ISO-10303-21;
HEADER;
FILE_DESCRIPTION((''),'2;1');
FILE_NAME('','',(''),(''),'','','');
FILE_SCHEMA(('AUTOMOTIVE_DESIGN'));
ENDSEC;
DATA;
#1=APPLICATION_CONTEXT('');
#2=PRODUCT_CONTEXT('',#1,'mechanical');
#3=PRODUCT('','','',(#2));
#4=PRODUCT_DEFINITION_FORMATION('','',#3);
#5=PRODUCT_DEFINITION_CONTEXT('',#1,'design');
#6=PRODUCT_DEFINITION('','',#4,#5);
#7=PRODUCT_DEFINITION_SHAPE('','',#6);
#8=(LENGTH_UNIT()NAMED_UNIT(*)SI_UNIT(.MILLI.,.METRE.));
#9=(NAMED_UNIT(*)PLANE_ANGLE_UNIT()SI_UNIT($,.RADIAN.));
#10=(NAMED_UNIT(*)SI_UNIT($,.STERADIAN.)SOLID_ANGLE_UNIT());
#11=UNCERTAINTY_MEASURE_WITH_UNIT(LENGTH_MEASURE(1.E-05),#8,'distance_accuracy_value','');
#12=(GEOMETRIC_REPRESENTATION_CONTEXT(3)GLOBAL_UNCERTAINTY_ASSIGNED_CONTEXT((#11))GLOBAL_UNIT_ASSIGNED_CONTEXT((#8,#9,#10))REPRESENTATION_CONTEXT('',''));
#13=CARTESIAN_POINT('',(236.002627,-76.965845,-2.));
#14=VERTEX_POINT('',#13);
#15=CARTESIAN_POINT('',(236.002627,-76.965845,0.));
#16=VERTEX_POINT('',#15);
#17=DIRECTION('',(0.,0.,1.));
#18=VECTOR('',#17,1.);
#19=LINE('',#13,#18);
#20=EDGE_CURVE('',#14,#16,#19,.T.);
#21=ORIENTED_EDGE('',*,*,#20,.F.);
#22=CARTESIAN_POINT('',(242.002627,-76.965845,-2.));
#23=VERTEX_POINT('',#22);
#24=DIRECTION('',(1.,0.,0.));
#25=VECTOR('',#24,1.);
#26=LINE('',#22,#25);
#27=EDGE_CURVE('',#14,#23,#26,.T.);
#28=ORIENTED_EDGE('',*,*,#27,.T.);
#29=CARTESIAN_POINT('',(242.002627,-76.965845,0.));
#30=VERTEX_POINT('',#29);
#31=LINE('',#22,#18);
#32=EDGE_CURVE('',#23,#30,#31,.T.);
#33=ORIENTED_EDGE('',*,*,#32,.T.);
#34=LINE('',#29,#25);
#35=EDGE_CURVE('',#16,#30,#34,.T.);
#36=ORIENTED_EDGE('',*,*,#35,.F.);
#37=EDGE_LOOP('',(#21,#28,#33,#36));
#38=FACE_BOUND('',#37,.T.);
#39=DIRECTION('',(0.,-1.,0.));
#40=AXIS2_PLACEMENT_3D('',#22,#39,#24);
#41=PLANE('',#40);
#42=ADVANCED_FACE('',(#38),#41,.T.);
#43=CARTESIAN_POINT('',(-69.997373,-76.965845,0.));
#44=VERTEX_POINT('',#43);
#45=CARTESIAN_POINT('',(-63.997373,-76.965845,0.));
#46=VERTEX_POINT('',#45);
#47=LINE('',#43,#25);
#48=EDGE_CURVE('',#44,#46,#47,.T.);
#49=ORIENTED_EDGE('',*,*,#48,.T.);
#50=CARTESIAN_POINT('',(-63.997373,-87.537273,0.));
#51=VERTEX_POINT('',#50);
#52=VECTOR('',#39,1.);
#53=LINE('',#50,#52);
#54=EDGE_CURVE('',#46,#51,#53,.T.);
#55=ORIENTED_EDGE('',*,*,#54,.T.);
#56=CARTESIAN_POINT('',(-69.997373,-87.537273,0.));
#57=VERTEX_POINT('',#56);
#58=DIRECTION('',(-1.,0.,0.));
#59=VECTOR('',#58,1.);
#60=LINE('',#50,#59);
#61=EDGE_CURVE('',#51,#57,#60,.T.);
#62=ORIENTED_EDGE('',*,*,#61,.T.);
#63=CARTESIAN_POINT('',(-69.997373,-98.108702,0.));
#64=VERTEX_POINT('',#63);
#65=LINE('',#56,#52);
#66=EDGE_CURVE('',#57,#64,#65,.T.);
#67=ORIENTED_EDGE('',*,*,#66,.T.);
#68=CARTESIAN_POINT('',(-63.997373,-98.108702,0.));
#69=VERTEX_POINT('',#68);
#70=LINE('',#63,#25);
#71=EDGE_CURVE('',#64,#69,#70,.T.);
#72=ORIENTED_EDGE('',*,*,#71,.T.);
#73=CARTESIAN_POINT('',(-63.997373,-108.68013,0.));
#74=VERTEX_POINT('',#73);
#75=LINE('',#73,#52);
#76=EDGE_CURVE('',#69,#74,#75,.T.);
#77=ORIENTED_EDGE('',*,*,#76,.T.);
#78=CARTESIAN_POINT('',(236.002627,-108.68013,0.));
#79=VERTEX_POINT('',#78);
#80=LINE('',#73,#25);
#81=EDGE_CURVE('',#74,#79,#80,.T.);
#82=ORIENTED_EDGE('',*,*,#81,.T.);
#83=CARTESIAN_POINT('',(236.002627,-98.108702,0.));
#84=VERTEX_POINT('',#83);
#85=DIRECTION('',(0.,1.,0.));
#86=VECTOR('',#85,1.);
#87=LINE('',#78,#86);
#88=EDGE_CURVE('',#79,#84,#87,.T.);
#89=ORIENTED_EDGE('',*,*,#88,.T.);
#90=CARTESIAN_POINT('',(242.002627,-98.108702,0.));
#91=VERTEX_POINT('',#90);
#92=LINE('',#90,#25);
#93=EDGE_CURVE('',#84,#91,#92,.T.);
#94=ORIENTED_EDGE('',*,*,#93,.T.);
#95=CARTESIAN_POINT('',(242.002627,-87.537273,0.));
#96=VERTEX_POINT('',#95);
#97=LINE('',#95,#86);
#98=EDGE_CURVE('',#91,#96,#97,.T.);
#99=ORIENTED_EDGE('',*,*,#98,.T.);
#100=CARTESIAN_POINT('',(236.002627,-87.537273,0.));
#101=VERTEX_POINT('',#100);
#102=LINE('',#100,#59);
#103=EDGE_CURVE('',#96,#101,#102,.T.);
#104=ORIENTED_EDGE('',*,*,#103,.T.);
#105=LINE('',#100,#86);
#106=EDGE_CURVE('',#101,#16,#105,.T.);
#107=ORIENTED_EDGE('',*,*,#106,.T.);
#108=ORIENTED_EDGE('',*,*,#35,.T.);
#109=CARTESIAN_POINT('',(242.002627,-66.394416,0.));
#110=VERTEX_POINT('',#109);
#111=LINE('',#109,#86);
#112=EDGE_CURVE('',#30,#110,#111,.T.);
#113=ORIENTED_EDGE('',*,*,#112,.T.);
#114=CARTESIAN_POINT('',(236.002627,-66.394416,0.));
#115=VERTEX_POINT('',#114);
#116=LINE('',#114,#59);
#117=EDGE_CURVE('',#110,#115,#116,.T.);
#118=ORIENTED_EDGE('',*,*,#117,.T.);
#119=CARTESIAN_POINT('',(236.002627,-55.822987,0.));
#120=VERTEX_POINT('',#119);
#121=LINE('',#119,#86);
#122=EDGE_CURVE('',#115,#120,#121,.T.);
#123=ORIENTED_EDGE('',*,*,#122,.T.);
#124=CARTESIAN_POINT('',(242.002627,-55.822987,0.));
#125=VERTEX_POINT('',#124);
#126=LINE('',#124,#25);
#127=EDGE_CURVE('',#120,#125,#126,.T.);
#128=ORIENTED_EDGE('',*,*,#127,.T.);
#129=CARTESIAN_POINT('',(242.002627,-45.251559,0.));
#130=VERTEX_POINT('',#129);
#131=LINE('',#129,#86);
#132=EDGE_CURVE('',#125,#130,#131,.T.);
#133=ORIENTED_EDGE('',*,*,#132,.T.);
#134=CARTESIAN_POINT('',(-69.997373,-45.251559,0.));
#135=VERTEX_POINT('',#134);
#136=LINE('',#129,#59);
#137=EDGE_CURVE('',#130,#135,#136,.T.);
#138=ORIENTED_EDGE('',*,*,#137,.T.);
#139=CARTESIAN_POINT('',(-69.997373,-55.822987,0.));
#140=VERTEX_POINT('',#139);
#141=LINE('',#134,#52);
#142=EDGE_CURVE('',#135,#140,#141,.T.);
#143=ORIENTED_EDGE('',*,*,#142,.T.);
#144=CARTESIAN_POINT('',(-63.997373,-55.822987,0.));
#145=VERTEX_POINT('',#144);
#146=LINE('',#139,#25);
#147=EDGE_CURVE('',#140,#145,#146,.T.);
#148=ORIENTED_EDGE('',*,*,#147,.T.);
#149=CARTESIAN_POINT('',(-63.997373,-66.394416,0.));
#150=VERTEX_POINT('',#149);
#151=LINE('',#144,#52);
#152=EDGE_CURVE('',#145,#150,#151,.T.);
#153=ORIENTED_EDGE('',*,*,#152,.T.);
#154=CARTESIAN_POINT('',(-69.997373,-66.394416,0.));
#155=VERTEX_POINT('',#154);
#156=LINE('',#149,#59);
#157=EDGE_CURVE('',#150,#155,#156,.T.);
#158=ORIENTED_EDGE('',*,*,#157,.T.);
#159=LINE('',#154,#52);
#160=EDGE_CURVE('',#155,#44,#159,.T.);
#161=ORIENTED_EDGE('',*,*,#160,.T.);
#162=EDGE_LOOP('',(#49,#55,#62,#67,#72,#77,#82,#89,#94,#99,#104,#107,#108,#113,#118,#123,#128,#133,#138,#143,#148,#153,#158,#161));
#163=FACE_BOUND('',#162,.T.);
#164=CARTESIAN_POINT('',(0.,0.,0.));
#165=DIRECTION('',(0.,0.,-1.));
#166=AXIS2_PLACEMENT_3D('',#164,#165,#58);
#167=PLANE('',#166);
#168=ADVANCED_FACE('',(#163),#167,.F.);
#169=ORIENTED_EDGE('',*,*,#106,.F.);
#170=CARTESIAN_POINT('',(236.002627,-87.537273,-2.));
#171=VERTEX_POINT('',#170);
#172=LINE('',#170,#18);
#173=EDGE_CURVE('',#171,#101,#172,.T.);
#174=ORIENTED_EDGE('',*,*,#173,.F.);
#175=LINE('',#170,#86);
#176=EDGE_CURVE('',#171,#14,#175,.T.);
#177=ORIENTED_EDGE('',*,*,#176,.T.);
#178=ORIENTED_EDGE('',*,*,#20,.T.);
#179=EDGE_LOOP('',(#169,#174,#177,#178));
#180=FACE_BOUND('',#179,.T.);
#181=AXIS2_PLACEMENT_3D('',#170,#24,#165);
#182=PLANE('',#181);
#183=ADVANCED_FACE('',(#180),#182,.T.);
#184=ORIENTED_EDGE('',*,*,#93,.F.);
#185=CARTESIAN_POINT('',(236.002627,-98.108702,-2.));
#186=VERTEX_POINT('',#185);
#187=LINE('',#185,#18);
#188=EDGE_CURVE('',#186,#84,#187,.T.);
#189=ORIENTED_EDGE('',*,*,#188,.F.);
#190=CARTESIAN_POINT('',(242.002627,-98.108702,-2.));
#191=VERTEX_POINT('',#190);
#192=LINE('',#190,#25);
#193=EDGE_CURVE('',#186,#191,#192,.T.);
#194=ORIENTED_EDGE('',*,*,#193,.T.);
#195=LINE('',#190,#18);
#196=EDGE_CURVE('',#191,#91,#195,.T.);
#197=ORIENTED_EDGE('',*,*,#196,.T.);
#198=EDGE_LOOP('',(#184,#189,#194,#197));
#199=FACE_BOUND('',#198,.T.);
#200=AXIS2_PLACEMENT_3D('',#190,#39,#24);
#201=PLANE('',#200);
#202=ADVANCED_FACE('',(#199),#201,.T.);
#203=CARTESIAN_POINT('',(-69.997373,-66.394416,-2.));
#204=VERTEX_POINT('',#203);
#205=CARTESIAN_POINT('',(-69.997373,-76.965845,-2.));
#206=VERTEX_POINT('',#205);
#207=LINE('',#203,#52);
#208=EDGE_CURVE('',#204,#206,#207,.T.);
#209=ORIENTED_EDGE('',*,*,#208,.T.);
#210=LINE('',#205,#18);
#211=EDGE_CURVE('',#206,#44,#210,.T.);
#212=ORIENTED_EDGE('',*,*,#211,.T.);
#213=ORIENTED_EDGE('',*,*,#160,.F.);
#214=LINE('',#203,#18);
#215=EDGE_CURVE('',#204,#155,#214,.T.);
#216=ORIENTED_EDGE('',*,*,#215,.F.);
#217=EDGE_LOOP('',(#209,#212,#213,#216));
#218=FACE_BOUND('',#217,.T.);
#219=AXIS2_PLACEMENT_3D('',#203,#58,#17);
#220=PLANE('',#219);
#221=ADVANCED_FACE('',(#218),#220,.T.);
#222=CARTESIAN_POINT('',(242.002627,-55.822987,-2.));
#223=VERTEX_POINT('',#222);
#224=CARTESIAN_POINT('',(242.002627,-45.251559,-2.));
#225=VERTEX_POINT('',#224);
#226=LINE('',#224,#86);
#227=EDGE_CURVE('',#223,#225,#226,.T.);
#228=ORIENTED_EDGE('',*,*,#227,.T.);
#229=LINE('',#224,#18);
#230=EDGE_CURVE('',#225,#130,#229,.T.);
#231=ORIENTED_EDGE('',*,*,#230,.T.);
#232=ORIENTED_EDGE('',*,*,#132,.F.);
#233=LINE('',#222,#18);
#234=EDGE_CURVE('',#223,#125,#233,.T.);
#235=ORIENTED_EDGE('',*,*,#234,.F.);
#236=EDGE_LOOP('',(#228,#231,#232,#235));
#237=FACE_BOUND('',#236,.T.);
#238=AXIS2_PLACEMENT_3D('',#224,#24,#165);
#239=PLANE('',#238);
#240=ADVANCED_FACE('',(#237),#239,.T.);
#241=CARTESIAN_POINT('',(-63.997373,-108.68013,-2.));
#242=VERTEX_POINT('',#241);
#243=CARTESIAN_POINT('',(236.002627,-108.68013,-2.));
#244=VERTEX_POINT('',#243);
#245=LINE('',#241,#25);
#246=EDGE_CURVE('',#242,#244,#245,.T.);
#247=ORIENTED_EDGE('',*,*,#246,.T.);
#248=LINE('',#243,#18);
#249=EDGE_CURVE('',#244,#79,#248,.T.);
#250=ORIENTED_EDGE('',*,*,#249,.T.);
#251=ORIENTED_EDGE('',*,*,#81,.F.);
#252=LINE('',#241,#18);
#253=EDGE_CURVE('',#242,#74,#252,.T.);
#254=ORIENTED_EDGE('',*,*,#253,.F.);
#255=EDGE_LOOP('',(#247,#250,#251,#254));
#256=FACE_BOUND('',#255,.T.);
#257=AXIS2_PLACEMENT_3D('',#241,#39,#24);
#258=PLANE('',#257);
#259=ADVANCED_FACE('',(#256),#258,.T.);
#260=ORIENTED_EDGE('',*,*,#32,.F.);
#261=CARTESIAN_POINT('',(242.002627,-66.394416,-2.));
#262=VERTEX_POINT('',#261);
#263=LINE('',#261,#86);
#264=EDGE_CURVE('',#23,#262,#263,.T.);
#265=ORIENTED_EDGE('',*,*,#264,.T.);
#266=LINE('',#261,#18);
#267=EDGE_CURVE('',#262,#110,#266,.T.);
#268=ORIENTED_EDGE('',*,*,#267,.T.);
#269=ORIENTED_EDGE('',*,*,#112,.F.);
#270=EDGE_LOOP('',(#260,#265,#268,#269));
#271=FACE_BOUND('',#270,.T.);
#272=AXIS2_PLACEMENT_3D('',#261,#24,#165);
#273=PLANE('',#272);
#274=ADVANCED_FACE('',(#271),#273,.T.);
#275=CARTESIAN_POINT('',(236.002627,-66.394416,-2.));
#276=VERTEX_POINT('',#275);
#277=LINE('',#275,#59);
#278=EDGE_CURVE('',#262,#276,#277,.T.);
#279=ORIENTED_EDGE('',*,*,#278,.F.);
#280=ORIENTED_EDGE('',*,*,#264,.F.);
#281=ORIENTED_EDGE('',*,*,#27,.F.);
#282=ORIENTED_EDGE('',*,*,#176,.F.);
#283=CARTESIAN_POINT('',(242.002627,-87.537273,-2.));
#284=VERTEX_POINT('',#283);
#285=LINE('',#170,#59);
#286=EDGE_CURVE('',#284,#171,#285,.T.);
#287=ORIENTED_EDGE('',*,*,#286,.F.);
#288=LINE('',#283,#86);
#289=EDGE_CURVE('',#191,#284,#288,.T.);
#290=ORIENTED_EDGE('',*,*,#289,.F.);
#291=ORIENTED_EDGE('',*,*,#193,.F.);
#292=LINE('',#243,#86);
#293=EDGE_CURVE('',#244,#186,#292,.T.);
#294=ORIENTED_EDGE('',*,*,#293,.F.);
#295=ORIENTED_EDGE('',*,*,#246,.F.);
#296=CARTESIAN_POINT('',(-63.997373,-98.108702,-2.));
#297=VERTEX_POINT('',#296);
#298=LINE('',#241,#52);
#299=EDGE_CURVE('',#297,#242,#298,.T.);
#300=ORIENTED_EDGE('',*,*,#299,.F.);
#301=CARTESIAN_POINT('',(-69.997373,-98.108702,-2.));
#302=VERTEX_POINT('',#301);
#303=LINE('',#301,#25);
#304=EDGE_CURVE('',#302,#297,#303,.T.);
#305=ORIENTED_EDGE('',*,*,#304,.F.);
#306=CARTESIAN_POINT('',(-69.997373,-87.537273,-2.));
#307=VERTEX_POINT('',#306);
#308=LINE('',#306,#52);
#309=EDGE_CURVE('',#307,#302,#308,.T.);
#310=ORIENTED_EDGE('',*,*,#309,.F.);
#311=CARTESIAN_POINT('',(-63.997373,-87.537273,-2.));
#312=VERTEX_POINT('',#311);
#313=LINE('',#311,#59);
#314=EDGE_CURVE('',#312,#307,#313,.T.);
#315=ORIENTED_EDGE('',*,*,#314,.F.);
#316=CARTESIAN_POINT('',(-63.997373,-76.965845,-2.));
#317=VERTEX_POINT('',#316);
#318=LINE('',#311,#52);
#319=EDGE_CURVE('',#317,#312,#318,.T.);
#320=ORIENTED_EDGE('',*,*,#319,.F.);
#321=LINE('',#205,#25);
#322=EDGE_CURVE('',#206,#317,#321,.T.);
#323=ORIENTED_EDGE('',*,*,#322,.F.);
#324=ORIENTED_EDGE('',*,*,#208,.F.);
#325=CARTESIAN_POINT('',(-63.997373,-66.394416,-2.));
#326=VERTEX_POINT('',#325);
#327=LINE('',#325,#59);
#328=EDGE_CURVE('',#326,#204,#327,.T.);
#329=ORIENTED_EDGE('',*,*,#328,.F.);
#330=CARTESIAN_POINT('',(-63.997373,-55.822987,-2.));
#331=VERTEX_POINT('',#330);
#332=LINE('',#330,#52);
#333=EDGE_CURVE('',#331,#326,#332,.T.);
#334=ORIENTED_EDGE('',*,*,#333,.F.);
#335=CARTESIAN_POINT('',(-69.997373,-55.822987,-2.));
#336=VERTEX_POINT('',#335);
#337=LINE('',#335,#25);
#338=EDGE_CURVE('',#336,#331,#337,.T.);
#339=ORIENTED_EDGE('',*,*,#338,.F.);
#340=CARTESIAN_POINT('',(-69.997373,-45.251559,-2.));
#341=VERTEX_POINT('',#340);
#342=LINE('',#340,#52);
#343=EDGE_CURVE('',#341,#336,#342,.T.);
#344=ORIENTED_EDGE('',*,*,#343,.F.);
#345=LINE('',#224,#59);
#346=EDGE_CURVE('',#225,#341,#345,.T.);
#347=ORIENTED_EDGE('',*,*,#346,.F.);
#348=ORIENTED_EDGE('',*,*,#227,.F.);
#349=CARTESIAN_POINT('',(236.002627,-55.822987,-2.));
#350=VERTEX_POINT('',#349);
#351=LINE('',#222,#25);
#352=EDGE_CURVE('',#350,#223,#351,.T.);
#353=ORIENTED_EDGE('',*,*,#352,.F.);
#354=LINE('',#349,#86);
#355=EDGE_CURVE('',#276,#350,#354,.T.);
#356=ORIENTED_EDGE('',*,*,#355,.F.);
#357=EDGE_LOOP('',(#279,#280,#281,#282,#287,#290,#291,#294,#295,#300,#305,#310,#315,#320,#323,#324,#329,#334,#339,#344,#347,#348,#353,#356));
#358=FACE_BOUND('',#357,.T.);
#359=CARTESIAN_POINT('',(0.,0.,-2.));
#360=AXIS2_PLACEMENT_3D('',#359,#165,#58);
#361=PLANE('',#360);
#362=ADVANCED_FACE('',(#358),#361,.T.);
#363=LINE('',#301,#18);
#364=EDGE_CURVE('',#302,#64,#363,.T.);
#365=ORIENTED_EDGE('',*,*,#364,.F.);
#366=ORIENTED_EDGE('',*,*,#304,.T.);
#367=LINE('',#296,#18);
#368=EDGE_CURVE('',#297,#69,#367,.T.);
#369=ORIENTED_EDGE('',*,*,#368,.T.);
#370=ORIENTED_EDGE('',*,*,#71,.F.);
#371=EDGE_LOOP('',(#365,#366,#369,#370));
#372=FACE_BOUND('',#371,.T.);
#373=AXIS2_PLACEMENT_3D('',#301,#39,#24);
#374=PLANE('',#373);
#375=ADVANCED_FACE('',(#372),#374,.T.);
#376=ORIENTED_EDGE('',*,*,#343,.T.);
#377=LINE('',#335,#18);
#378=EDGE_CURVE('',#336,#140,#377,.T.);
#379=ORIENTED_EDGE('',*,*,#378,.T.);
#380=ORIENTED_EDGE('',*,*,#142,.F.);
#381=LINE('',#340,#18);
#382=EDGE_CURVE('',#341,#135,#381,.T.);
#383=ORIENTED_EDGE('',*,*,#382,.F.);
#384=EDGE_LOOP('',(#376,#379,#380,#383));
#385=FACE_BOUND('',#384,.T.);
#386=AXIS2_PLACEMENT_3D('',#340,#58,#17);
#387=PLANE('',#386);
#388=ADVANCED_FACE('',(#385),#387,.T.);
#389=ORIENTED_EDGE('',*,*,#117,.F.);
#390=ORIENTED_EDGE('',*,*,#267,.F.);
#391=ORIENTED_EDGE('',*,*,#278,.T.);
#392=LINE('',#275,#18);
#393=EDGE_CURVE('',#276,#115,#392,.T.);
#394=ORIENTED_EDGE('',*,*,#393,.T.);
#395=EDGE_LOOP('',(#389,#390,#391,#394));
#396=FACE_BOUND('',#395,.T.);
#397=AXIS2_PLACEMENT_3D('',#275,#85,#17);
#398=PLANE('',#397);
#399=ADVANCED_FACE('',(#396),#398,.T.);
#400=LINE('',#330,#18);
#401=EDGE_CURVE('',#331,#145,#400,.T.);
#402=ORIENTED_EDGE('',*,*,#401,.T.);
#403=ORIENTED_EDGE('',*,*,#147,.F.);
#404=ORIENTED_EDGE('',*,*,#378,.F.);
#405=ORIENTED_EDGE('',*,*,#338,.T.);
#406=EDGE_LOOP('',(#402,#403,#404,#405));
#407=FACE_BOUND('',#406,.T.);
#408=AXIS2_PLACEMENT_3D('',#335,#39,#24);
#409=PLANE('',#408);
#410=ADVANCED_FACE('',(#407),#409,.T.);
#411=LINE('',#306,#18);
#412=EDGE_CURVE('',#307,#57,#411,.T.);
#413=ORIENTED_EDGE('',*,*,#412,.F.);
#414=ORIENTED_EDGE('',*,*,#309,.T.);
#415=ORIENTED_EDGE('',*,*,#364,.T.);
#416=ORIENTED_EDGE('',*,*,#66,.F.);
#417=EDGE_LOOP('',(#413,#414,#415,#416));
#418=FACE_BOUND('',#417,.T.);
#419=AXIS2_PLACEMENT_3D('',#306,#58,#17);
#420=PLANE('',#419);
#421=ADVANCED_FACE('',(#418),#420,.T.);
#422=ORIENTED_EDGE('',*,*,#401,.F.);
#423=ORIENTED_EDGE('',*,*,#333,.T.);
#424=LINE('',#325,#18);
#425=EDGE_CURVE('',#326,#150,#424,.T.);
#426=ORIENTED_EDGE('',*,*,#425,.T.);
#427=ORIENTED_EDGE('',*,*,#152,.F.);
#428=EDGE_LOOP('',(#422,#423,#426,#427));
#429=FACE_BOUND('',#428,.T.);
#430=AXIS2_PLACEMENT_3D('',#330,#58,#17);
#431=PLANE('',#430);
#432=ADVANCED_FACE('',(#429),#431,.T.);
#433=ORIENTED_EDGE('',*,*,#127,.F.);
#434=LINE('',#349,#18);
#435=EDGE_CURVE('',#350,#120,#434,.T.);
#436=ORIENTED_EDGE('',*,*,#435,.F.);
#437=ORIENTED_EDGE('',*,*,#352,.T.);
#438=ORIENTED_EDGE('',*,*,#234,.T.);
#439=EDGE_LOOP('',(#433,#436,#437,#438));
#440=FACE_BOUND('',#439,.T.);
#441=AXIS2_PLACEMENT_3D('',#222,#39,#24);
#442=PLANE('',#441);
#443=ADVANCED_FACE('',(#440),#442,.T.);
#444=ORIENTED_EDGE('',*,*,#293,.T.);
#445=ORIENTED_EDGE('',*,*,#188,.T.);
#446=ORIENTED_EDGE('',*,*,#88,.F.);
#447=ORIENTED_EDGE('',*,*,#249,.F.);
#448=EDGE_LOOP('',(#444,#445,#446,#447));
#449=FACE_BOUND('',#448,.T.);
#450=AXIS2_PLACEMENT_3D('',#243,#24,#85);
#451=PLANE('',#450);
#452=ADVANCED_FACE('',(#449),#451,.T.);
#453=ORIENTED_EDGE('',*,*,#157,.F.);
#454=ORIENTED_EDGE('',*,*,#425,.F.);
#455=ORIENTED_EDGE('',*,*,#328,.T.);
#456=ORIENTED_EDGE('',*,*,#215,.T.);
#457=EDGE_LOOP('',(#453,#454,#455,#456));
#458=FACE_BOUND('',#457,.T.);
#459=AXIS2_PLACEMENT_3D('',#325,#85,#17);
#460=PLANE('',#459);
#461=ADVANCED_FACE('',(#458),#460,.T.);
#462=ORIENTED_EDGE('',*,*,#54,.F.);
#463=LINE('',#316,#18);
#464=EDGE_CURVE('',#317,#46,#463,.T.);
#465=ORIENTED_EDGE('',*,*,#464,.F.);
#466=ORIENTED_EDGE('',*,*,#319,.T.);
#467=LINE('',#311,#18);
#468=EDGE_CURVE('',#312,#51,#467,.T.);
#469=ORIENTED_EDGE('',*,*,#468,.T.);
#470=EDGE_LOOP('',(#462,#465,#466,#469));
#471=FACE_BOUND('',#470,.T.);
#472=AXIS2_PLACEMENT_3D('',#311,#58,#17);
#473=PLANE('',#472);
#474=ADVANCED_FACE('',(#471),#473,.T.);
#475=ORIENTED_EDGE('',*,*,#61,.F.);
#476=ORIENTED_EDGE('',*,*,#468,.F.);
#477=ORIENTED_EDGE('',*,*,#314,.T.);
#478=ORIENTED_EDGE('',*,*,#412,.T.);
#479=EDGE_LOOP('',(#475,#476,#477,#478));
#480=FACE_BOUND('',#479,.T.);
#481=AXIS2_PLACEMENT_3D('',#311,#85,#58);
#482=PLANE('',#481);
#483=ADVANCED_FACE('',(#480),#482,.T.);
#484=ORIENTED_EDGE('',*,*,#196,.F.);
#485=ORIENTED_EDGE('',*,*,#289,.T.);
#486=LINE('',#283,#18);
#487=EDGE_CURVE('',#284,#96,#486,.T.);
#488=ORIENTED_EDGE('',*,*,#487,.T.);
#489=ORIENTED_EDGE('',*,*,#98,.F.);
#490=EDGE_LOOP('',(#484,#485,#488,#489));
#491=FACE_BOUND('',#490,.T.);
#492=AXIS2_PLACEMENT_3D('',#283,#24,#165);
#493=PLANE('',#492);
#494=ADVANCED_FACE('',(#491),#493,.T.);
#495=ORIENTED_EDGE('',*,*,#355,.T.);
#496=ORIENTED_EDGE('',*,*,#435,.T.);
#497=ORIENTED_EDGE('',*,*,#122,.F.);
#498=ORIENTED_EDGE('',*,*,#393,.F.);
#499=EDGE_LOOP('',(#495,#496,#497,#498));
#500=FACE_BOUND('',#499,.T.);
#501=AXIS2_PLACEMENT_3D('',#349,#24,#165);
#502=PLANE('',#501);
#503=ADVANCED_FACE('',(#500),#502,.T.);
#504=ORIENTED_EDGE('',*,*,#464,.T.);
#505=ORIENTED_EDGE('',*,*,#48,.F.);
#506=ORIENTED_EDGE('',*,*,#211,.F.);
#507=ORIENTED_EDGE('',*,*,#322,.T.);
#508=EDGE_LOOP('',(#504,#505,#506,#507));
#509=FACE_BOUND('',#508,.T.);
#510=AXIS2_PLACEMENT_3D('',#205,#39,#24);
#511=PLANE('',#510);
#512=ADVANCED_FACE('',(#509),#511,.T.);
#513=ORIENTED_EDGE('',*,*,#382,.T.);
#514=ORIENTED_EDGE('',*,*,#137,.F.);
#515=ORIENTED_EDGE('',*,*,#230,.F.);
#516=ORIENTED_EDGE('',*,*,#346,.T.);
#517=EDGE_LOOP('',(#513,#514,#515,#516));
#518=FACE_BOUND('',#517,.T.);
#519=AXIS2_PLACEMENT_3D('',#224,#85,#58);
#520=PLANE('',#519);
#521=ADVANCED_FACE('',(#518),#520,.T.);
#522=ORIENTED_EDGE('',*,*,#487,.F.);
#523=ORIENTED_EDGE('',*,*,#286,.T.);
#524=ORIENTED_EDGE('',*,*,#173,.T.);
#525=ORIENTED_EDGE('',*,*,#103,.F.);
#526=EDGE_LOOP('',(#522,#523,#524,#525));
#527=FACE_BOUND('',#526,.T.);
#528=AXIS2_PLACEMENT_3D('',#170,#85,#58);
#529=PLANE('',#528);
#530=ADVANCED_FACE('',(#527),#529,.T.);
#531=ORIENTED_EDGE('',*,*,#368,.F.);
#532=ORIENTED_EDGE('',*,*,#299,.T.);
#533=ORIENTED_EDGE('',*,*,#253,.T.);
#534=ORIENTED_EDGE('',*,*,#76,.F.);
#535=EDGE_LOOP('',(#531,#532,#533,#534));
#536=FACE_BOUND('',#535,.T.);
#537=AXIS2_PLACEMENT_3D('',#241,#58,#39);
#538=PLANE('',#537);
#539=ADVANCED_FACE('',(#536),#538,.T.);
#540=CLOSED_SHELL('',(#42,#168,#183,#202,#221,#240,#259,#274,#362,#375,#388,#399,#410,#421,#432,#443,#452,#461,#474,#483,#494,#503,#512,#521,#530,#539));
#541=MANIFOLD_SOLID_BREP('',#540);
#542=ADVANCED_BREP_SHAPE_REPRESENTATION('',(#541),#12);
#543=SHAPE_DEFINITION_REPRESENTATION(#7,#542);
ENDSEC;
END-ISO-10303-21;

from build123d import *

# Parameters (mm, degrees)
BOSS_EXTRU_1_DEPTH = 2


with BuildPart() as part:
    # Esquisse1 → Boss.-Extru.1 (new body)
    with BuildSketch(Plane.XY):
        Polygon((-63.997372642, -108.680130338), (236.002627358, -108.680130338), (236.002627358, -98.108701767), (242.002627358, -98.108701767), (242.002627358, -87.537273195), (236.002627358, -87.537273195), (236.002627358, -76.965844624), (242.002627358, -76.965844624), (242.002627358, -66.394416052), (236.002627358, -66.394416052), (236.002627358, -55.822987481), (242.002627358, -55.822987481), (242.002627358, -45.25155891), (-69.997372642, -45.25155891), (-69.997372642, -55.822987481), (-63.997372642, -55.822987481), (-63.997372642, -66.394416052), (-69.997372642, -66.394416052), (-69.997372642, -76.965844624), (-63.997372642, -76.965844624), (-63.997372642, -87.537273195), (-69.997372642, -87.537273195), (-69.997372642, -98.108701767), (-63.997372642, -98.108701767), align=None)
    extrude(amount=-BOSS_EXTRU_1_DEPTH)


solid = part.part
